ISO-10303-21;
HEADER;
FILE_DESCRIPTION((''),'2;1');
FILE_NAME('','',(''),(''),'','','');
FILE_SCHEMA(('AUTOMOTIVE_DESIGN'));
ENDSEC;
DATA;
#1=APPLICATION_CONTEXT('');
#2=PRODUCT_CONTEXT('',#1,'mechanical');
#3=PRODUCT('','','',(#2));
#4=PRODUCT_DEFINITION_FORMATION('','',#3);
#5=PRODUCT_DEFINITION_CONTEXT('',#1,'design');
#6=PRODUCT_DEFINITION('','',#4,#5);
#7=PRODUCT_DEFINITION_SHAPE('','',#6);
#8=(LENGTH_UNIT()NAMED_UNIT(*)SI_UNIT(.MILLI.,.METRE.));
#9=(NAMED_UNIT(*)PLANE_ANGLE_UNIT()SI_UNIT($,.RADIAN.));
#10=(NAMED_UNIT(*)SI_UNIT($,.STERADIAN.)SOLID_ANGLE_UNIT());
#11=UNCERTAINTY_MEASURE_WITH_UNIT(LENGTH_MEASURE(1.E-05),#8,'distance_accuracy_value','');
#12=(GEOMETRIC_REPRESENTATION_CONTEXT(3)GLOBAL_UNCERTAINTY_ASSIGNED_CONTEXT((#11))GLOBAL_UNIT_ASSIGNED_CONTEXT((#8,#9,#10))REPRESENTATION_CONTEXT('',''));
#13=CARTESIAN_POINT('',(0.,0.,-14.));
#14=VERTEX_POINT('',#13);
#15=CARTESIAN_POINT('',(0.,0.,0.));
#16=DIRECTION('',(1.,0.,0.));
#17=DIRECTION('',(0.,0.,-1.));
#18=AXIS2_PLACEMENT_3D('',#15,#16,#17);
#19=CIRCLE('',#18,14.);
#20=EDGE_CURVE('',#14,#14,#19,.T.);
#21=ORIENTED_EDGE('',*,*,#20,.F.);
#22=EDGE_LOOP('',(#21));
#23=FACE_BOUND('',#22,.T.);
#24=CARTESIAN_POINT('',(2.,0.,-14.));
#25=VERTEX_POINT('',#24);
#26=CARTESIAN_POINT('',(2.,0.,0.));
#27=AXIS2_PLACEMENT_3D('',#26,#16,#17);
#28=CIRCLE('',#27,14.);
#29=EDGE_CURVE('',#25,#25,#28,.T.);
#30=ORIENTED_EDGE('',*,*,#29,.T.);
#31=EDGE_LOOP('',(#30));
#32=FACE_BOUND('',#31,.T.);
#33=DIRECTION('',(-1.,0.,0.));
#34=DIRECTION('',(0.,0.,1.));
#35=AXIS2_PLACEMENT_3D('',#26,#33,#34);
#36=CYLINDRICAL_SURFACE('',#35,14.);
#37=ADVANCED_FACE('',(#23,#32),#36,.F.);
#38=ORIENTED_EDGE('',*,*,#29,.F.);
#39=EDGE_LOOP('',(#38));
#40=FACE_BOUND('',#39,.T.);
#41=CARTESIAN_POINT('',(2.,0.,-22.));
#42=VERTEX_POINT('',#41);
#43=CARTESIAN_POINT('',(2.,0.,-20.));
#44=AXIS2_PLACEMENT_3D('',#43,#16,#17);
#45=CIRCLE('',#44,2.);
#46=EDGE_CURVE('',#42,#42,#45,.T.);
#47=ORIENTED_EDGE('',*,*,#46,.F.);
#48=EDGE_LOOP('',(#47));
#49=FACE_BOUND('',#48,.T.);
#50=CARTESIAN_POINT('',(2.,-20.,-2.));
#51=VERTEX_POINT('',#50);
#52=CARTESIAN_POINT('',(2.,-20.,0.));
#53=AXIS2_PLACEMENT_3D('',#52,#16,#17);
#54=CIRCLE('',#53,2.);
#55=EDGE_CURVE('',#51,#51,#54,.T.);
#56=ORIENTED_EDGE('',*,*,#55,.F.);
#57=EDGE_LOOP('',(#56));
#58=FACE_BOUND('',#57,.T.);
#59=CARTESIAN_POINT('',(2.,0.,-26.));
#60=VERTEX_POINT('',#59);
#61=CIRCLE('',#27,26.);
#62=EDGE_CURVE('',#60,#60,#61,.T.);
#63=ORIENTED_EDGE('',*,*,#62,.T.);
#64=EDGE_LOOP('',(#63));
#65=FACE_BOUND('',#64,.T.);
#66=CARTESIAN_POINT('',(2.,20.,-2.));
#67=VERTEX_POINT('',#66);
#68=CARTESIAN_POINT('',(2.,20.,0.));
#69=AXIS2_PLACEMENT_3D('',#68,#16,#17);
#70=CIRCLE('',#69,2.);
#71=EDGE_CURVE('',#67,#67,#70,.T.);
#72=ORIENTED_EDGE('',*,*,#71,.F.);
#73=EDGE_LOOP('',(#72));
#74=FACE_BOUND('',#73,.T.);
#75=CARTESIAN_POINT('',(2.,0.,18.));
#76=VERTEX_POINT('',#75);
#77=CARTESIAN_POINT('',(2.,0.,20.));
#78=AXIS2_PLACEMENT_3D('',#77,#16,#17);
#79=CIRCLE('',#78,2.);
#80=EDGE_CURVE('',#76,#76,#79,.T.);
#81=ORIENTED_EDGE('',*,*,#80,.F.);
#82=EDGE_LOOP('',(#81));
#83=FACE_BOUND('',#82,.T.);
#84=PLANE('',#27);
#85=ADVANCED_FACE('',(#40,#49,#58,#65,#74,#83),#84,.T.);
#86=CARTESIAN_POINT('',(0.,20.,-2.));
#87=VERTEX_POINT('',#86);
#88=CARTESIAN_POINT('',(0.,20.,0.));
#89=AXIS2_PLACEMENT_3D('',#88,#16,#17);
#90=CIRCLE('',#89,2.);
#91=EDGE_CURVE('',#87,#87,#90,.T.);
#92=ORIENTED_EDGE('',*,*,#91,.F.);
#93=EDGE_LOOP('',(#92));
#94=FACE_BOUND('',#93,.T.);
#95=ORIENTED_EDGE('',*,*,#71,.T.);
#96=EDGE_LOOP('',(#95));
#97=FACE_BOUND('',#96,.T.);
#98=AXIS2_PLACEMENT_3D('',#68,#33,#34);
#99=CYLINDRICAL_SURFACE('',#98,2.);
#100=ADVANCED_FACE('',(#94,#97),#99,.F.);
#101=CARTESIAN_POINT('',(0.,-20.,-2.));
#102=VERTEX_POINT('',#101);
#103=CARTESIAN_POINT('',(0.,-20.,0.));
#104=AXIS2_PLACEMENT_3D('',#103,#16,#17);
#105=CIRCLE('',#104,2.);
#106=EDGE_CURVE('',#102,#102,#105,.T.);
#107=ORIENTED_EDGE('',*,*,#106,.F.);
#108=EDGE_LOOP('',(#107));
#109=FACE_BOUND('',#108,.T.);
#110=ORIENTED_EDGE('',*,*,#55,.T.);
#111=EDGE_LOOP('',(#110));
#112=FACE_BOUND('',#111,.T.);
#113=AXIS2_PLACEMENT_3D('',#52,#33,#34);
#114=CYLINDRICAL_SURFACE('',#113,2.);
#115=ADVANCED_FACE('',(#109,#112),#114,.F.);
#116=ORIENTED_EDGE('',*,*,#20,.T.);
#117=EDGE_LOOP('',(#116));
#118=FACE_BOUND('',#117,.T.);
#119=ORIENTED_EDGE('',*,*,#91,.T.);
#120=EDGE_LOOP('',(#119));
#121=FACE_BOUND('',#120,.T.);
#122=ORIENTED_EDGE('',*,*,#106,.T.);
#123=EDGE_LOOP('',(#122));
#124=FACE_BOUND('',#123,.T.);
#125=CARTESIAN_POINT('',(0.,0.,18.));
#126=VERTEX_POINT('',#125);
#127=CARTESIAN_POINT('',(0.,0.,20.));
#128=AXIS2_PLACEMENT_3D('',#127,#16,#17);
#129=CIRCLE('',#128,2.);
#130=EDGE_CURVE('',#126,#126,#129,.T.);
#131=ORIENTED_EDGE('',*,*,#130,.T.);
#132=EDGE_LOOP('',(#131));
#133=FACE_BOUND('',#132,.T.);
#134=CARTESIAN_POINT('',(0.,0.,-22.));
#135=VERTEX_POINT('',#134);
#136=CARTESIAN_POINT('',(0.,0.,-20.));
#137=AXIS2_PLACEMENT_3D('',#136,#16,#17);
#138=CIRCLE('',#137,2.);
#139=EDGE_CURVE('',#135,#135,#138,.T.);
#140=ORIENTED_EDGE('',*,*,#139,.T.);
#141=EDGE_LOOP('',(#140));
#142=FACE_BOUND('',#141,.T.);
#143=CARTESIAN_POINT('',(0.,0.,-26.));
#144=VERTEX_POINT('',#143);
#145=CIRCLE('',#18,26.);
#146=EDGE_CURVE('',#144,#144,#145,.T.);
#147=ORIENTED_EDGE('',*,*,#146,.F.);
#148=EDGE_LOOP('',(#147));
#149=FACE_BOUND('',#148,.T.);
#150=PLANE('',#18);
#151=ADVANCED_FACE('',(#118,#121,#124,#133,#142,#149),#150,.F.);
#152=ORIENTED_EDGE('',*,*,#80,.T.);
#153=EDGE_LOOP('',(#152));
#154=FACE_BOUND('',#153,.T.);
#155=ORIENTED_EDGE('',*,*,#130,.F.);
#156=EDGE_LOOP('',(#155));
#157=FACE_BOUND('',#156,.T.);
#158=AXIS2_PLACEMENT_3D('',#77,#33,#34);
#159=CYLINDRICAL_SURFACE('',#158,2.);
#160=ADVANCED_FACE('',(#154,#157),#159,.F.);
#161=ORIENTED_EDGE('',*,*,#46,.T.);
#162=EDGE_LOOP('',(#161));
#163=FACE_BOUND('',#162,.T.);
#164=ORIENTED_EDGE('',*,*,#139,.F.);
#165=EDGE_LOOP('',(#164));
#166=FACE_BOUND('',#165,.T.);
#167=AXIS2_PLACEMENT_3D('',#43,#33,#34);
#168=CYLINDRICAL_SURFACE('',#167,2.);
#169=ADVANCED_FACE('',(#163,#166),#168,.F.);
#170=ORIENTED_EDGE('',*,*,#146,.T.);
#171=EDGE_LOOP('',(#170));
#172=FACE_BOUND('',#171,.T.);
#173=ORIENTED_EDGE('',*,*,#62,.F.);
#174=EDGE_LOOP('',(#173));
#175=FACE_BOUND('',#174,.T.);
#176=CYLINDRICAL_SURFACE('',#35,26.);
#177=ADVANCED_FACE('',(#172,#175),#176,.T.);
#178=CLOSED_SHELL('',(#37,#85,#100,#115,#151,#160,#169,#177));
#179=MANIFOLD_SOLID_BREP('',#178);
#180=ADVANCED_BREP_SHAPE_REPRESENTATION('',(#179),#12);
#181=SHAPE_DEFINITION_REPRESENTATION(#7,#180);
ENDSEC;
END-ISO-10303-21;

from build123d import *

# Parameters (mm, degrees)
SKETCH1_R           = 26
SKETCH1_R_2         = 14
SKETCH1_R_3         = 2
BOSS_EXTRUDE1_DEPTH = 2


with BuildPart() as part:
    # Sketch1 → Boss-Extrude1 (new body)
    with BuildSketch(Plane(origin=(0, 0, 0), x_dir=(0, 0, -1), z_dir=(1, 0, 0))):
        Circle(SKETCH1_R)
        Circle(SKETCH1_R_2, mode=Mode.SUBTRACT)
        with Locations((0, 20)):
            Circle(SKETCH1_R_3, mode=Mode.SUBTRACT)
        with Locations((20, 0)):
            Circle(SKETCH1_R_3, mode=Mode.SUBTRACT)
        with Locations((0, -20)):
            Circle(SKETCH1_R_3, mode=Mode.SUBTRACT)
        with Locations((-20, 0)):
            Circle(SKETCH1_R_3, mode=Mode.SUBTRACT)
    extrude(amount=BOSS_EXTRUDE1_DEPTH)


solid = part.part
